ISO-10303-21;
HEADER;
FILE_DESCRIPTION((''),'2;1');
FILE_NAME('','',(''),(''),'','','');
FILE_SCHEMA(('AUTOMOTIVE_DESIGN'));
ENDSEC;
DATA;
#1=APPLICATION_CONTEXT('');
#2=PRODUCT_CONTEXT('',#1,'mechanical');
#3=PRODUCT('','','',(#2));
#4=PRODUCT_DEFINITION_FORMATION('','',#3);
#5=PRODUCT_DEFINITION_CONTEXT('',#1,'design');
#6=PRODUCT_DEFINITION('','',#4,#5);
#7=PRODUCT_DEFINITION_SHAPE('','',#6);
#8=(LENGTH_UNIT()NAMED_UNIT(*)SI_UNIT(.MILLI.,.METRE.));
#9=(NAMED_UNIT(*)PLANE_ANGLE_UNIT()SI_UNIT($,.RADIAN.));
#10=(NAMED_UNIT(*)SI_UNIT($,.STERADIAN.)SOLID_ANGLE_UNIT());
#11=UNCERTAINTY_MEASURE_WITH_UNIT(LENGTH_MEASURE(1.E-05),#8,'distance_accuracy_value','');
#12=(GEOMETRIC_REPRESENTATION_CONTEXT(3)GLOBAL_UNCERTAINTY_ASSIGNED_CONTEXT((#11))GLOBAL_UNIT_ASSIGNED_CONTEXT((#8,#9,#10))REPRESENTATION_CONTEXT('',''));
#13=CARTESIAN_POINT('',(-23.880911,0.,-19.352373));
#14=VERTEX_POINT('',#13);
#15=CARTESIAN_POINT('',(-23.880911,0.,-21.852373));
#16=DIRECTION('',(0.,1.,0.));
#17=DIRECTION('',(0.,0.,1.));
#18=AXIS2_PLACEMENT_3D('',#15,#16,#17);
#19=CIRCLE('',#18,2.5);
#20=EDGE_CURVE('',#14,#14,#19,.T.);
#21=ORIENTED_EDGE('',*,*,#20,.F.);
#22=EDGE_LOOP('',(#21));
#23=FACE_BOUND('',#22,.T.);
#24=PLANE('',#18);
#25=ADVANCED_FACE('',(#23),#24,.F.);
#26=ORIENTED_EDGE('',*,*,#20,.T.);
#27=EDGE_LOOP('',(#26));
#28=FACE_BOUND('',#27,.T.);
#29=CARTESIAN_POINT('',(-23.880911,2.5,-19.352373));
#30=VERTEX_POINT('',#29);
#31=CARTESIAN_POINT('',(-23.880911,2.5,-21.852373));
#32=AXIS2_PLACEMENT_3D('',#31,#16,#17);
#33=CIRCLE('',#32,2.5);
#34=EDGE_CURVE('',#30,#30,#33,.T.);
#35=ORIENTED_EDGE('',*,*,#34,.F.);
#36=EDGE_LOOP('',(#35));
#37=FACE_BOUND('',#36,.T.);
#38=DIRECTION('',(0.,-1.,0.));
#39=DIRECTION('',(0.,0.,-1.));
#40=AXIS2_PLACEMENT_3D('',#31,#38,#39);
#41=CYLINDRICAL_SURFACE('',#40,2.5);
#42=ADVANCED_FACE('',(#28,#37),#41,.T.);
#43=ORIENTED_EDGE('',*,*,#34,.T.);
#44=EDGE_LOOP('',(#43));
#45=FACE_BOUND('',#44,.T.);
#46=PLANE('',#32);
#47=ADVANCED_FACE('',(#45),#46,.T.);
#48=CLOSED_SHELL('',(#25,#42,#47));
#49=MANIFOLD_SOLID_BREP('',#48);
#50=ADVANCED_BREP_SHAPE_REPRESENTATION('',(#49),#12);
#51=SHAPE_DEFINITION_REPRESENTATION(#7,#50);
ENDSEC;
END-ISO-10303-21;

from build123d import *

# Parameters (mm, degrees)
SKETCH1_R           = 2.5
BOSS_EXTRUDE1_DEPTH = 2.5


with BuildPart() as part:
    # Sketch1 → Boss-Extrude1 (new body)
    with BuildSketch(Plane(origin=(0, 0, 0), x_dir=(1, 0, 0), z_dir=(0, 1, 0))):
        with Locations((-23.880911117, 21.852373136)):
            Circle(SKETCH1_R)
    extrude(amount=BOSS_EXTRUDE1_DEPTH)


solid = part.part
